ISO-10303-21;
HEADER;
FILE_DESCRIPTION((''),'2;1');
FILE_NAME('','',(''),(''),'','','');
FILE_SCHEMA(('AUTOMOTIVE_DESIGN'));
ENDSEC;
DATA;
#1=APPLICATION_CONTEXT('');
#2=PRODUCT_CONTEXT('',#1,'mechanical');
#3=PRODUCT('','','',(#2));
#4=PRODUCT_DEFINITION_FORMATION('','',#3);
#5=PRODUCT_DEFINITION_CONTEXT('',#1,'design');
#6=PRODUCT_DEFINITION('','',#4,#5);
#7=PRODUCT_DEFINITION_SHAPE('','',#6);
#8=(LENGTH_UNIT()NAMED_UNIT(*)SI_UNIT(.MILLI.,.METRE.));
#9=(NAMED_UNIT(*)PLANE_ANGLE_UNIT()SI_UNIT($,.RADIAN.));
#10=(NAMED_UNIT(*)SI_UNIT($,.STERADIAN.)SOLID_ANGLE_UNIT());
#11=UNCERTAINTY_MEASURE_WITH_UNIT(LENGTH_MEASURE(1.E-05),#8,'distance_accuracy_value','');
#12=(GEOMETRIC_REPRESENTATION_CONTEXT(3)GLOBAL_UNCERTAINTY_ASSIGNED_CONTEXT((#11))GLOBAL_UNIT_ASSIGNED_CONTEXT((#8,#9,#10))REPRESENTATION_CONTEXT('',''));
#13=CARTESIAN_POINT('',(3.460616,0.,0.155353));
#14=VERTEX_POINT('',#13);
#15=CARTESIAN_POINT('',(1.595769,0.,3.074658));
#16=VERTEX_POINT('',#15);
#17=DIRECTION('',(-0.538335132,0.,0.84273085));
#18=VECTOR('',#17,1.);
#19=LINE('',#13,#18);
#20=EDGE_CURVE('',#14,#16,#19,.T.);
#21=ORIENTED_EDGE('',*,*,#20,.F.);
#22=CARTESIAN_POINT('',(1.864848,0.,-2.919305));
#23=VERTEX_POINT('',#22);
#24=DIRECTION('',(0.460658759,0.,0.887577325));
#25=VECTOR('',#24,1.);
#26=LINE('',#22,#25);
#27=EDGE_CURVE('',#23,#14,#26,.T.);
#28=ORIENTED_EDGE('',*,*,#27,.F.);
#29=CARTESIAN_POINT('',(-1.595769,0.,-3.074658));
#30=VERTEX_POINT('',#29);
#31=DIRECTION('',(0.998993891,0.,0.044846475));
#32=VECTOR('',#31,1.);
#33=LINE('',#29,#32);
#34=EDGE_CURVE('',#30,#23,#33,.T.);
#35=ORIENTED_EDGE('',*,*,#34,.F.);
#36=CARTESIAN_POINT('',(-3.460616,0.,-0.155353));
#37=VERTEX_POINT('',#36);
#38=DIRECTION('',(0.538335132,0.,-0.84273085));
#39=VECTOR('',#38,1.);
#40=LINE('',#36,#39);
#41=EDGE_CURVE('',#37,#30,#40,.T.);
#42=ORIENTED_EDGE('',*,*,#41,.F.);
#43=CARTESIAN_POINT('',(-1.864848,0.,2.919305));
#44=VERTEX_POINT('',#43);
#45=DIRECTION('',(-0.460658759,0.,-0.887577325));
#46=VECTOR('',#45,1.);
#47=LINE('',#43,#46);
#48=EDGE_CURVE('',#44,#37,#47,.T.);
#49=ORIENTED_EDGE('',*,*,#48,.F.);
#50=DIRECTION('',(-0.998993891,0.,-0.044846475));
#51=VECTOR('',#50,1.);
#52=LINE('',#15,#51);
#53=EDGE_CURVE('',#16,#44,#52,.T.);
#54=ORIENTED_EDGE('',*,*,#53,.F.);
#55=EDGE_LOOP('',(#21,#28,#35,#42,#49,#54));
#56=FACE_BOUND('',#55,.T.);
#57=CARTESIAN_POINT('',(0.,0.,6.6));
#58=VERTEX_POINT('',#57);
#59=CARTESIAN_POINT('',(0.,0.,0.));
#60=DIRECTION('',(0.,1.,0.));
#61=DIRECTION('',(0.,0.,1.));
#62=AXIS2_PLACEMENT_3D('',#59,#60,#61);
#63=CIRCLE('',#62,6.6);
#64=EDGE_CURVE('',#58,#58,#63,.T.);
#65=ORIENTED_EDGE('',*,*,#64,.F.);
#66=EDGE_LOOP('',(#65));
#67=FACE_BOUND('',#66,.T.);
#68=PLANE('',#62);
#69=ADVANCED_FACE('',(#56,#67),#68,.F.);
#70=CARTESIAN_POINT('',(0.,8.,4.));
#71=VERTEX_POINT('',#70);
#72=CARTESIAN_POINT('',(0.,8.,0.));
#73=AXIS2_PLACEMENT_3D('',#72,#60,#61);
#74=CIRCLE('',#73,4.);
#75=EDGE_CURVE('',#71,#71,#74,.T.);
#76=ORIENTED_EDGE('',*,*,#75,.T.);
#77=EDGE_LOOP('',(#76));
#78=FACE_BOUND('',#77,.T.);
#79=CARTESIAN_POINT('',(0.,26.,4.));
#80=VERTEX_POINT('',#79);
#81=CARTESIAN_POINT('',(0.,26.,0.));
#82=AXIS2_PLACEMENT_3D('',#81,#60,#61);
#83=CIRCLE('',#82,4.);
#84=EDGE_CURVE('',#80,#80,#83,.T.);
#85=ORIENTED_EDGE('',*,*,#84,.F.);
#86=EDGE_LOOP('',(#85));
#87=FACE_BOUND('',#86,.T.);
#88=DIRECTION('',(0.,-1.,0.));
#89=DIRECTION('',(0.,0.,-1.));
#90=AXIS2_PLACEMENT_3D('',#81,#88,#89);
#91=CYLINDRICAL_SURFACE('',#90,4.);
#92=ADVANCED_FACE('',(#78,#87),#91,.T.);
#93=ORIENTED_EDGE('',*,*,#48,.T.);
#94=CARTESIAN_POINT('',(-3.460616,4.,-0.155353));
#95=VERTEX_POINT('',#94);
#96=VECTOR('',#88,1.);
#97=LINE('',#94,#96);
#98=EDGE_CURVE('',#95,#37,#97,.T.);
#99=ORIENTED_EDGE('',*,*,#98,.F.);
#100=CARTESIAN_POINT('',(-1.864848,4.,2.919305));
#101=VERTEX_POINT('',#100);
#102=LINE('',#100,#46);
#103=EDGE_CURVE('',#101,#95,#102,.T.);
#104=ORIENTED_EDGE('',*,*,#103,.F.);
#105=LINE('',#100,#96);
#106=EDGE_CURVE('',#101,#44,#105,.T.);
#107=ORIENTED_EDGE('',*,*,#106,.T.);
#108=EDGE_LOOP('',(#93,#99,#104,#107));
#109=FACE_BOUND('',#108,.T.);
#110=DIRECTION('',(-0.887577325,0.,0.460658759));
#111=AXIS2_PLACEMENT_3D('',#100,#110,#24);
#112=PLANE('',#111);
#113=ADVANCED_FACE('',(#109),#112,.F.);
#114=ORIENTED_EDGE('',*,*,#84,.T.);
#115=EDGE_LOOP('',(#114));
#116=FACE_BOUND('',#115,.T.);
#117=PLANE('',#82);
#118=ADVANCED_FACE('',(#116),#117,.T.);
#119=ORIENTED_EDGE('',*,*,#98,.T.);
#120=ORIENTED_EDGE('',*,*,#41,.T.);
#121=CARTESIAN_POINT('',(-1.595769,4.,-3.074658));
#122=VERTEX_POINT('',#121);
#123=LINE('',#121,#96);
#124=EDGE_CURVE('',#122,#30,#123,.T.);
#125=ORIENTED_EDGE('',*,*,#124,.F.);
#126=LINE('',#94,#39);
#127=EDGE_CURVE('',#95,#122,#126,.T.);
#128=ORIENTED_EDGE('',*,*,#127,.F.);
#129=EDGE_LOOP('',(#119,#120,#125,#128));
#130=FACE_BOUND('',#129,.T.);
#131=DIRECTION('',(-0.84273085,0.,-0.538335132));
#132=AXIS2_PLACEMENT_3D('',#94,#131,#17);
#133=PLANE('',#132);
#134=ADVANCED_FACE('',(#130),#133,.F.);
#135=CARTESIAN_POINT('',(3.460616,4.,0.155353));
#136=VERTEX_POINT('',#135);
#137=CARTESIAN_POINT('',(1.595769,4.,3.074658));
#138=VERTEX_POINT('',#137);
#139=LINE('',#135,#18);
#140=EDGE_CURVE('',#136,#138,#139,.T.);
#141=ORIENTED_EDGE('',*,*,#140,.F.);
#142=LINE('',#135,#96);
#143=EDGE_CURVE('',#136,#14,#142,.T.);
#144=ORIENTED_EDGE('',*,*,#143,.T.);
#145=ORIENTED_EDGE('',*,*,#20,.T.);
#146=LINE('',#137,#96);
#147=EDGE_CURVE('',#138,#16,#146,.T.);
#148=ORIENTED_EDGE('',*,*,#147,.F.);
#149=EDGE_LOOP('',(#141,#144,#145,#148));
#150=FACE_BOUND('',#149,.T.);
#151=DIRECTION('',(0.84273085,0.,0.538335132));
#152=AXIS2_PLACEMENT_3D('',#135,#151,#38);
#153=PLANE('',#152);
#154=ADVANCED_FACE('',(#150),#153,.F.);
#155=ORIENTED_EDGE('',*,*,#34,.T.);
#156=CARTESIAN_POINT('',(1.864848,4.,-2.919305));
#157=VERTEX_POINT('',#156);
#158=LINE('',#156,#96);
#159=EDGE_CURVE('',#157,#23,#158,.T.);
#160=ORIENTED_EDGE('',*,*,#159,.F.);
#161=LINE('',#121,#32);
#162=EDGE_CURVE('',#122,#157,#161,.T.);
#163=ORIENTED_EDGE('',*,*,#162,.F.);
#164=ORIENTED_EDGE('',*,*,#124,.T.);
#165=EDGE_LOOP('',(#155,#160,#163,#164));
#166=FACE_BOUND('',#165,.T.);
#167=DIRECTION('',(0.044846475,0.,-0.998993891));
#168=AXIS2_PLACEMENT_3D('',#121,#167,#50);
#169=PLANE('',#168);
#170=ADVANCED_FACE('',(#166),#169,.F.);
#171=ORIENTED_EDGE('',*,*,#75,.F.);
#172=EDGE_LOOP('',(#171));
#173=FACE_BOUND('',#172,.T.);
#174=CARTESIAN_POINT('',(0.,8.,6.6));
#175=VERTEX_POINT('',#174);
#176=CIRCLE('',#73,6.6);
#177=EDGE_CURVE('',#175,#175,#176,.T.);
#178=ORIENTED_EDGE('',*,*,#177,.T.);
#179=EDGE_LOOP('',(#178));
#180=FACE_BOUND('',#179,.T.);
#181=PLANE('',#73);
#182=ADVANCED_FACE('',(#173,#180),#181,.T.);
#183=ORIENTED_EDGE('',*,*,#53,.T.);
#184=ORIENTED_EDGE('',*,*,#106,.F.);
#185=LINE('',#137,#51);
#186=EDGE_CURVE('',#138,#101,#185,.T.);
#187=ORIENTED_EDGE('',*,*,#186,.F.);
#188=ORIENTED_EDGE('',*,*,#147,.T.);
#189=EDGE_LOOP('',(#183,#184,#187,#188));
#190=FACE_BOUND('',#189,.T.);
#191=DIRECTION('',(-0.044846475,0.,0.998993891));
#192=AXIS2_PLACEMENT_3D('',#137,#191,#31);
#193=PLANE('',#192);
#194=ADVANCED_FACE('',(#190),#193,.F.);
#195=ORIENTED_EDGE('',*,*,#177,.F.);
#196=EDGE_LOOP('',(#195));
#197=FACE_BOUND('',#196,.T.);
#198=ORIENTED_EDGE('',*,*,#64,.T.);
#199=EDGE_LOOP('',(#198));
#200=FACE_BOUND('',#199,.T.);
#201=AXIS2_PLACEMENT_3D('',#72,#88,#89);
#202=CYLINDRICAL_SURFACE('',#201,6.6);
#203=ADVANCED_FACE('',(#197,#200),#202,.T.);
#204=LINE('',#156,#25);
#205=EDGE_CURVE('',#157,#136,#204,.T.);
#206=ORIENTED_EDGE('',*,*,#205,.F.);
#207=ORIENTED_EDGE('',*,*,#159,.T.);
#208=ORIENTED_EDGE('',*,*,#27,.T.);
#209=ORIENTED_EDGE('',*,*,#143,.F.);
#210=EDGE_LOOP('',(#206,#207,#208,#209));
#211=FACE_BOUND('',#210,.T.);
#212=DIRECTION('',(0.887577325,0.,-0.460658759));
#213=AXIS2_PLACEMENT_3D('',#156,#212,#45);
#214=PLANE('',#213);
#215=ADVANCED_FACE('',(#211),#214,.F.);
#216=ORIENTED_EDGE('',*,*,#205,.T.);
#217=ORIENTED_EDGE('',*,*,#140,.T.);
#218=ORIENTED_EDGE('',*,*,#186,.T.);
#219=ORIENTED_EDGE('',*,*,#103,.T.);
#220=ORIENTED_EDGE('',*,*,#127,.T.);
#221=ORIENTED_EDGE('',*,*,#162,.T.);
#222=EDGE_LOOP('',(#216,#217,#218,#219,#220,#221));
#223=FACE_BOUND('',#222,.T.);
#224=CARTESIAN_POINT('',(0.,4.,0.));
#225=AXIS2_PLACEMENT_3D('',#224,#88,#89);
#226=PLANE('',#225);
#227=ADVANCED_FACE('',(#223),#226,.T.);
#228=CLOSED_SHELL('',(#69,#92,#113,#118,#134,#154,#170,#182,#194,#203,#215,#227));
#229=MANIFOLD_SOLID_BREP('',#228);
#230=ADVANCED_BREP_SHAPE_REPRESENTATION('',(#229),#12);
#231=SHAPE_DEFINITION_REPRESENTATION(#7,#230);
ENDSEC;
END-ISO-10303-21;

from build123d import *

# Parameters (mm, degrees)
SKETCH_1_R          = 6.6
EXTRUDE_1_DEPTH     = 8
SKETCH_2_R          = 4
EXTRUDE_2_DEPTH     = 18
CUT_EXTRUDE_1_DEPTH = 4


with BuildPart() as part:
    # 草图1 → 凸台-拉伸1 (new body)
    with BuildSketch(Plane(origin=(0, 0, 0), x_dir=(1, 0, 0), z_dir=(0, 1, 0))):
        with Locations(Location((0, 0, 0), (0, 0, 270))):
            Circle(SKETCH_1_R)
    extrude(amount=EXTRUDE_1_DEPTH)

    # 草图2 → 凸台-拉伸2 (add)
    with BuildSketch(Plane(origin=(0, 8, 0), x_dir=(1, 0, 0), z_dir=(0, 1, 0))):
        with Locations(Location((0, 0, 0), (0, 0, 270))):
            Circle(SKETCH_2_R)
    extrude(amount=EXTRUDE_2_DEPTH)

    # 草图3 → 切除-拉伸1 (cut)
    with BuildSketch(Plane.XZ):
        Polygon((3.46061635, 0.155352746), (1.59576875, 3.074658045), (-1.8648476, 2.919305299), (-3.46061635, -0.155352746), (-1.59576875, -3.074658045), (1.8648476, -2.919305299), align=None)
    extrude(amount=-CUT_EXTRUDE_1_DEPTH, mode=Mode.SUBTRACT)


solid = part.part
